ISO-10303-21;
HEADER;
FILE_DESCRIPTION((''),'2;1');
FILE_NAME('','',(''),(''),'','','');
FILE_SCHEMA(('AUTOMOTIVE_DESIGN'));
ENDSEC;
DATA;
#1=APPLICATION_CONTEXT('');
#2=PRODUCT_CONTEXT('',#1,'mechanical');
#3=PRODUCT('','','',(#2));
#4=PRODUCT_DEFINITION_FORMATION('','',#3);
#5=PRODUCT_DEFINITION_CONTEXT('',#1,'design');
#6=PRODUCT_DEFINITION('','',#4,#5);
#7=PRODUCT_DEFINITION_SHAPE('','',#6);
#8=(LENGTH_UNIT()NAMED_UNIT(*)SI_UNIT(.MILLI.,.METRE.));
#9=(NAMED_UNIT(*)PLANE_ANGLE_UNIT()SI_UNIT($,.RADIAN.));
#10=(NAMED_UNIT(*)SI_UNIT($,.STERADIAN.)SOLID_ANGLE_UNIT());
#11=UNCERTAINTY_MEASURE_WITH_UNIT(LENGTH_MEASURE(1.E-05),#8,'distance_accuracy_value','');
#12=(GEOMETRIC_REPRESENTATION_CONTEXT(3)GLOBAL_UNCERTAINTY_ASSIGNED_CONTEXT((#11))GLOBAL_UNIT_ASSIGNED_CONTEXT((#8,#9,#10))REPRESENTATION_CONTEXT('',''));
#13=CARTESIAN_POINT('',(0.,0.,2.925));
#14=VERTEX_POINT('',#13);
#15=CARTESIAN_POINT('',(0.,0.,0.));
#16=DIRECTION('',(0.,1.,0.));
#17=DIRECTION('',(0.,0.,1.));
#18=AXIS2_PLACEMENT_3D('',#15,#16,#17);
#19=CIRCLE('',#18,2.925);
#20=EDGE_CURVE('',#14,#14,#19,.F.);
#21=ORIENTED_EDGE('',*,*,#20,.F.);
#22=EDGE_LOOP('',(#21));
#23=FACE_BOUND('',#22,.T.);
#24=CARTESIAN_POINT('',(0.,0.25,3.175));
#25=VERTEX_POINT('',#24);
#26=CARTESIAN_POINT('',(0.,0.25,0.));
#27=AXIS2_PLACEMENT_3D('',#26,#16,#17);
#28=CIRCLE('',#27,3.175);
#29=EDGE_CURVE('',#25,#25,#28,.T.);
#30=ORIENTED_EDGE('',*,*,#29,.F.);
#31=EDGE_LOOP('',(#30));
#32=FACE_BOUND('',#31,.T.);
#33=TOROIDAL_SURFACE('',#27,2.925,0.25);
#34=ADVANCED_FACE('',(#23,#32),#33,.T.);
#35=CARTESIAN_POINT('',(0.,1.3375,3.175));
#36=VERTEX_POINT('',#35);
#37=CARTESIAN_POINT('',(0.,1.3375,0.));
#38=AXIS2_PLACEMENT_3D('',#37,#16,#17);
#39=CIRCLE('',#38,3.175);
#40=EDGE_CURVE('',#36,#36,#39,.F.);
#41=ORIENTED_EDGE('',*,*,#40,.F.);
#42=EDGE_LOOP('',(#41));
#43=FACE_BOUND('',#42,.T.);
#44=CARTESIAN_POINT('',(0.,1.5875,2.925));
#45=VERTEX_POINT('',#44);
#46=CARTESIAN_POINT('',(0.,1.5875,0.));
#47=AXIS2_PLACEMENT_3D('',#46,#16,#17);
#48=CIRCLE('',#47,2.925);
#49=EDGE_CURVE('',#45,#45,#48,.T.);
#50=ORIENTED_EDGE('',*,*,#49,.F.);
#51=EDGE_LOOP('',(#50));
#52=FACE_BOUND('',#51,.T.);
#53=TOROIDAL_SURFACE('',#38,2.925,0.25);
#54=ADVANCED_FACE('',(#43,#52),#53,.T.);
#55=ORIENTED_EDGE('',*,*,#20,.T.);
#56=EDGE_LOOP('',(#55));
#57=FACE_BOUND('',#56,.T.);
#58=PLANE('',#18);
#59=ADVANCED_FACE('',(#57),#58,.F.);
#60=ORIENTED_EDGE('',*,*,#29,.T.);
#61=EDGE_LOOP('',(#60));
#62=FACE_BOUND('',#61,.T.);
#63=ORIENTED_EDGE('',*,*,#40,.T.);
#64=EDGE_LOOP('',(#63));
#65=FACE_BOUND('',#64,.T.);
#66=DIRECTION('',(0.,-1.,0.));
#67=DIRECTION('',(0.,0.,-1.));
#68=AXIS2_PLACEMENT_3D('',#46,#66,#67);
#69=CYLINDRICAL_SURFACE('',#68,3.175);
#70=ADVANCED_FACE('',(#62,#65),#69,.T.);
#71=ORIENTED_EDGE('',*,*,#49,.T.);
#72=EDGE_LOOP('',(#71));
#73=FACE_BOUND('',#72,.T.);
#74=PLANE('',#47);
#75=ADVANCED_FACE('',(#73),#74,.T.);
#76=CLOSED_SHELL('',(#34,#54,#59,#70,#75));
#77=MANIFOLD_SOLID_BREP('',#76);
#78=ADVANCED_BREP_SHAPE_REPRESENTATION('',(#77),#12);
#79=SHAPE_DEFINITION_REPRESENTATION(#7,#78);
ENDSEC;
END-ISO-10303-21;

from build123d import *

# Parameters (mm, degrees)
SKETCH2_R           = 3.175
BOSS_EXTRUDE1_DEPTH = 1.5875
FILLET1_R           = 0.25


with BuildPart() as part:
    # Sketch2 → Boss-Extrude1 (new body)
    with BuildSketch(Plane(origin=(0, 0, 0), x_dir=(1, 0, 0), z_dir=(0, 1, 0))):
        Circle(SKETCH2_R)
    extrude(amount=BOSS_EXTRUDE1_DEPTH)

    # Fillet1
    fillet1_edges = [part.edges().sort_by_distance(p)[0] for p in [
        (-3.175, 0, 0),
        (-3.175, 1.5875, 0),
    ]]
    fillet(fillet1_edges, radius=FILLET1_R)


solid = part.part
